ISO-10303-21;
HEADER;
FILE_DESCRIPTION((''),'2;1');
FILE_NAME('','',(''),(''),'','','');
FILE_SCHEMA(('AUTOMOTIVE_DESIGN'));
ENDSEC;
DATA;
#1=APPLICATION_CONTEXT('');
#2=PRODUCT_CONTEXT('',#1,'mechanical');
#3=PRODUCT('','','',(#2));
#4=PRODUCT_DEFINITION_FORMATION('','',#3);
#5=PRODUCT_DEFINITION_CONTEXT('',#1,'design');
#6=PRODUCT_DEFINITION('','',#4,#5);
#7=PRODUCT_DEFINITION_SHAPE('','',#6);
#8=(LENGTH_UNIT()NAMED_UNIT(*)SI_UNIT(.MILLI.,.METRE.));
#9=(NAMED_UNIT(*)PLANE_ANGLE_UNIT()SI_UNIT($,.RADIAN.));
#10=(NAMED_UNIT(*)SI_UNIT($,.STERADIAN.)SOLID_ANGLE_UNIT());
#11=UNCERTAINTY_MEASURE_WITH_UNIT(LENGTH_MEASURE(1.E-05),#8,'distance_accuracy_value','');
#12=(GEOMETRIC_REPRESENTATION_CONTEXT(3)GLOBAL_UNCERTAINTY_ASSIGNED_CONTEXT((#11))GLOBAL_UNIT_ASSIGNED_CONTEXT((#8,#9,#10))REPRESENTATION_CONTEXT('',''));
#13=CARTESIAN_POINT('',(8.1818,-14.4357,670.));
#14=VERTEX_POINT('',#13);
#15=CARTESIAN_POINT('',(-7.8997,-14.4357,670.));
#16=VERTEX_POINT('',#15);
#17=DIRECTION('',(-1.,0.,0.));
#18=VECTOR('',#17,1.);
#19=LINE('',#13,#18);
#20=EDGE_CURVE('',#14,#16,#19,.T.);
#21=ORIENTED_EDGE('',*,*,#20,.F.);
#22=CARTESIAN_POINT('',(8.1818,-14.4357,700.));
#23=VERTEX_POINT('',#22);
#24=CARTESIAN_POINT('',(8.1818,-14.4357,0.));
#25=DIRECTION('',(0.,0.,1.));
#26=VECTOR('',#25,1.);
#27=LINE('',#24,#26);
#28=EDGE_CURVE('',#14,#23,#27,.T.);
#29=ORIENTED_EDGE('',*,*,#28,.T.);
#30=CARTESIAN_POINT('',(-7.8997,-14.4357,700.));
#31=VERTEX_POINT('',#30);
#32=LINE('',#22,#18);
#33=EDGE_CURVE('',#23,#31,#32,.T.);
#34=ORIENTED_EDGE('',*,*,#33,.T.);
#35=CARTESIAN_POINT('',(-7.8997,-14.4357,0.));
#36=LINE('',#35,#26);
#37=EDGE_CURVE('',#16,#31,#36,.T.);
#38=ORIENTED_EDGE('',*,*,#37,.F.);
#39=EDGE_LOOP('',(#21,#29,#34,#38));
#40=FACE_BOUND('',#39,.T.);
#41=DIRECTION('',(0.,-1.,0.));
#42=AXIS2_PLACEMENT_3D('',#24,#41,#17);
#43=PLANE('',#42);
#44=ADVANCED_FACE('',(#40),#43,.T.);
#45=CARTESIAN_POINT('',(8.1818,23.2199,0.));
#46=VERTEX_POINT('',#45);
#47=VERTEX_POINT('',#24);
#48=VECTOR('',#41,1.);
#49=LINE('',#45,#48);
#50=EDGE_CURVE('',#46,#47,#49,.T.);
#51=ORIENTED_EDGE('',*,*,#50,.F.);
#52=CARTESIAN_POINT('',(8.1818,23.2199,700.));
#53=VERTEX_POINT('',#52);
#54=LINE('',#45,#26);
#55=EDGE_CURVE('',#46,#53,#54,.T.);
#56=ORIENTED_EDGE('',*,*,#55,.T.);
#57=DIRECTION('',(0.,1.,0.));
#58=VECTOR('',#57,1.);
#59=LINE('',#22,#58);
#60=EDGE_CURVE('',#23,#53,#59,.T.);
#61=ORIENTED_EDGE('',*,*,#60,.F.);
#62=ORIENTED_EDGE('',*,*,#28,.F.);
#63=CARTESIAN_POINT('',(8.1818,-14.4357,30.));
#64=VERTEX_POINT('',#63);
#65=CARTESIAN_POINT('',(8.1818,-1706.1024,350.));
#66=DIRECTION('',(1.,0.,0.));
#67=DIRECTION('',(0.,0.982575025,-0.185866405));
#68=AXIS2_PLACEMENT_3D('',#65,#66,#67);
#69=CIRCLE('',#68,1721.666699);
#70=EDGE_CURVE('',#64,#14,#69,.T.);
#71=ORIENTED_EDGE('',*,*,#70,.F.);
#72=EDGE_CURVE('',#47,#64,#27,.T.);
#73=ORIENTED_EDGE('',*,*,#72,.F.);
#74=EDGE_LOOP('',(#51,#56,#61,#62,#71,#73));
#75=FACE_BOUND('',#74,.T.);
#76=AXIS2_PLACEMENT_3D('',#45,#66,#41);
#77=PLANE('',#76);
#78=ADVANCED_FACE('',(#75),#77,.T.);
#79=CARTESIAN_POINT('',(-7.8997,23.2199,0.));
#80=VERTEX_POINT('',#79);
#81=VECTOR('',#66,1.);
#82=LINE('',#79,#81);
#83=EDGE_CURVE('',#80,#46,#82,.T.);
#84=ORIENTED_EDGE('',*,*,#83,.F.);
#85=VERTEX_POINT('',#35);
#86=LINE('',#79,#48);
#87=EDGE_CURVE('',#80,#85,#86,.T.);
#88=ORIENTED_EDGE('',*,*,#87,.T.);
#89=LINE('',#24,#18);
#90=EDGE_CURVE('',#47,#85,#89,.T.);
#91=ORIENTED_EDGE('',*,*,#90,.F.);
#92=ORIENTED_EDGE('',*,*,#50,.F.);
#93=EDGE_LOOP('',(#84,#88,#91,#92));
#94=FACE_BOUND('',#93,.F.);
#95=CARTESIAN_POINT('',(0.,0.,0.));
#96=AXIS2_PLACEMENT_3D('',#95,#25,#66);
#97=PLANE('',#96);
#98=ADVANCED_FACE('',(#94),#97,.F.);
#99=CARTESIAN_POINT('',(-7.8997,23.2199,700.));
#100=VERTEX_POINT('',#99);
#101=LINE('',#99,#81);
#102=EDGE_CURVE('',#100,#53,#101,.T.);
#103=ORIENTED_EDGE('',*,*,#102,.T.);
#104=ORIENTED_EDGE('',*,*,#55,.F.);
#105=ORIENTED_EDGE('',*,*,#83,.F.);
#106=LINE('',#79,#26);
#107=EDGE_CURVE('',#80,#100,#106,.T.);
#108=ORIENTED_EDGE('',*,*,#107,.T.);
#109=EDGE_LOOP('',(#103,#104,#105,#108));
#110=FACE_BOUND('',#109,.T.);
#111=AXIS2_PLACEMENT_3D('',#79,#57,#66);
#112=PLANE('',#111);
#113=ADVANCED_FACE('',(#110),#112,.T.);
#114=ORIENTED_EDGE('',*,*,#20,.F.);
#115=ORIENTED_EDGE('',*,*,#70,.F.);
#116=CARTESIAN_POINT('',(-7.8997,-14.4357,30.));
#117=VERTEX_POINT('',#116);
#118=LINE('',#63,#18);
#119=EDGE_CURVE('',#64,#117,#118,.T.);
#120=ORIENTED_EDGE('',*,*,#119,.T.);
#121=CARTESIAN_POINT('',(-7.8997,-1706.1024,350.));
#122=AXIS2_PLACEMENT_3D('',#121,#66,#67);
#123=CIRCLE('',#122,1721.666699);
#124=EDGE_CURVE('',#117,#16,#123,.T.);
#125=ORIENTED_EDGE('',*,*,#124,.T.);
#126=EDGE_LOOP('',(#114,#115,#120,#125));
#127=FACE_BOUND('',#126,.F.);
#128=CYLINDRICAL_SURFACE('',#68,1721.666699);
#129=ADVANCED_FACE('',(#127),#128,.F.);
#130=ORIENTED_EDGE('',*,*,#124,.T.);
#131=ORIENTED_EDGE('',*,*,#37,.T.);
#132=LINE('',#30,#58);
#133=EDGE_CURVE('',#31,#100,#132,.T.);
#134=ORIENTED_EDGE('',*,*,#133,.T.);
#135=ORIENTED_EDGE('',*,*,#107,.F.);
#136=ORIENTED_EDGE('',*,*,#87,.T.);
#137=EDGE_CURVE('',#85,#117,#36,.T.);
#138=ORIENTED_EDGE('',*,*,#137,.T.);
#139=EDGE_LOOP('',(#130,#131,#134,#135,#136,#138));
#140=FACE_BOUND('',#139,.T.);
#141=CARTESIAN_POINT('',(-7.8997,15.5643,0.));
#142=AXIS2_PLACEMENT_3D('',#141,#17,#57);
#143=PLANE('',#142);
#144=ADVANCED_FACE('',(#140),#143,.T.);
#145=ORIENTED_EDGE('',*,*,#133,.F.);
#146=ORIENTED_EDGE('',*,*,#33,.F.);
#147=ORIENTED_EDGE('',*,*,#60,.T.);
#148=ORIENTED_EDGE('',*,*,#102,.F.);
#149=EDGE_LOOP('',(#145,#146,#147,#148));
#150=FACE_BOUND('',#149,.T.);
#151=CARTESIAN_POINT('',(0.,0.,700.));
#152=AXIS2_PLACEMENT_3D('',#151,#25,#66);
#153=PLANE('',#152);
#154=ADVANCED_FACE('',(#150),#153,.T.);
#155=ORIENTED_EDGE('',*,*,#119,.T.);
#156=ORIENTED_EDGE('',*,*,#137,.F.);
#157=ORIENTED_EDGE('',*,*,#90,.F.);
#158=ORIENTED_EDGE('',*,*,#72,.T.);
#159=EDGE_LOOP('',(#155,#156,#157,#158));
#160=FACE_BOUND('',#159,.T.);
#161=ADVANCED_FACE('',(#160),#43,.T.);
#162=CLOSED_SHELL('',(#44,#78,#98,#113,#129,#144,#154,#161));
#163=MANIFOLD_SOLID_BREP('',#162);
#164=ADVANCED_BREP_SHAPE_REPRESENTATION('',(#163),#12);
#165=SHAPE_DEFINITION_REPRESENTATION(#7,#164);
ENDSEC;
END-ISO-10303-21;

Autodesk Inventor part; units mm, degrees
ref_plane "YZ Plane" through (0, 0, 0) normal (1, 0, 0) x (0, 1, 0)
ref_plane "XZ Plane" through (0, 0, 0) normal (0, 1, 0) x (-1, 0, 0)
ref_plane "XY Plane" through (0, 0, 0) normal (0, 0, 1) x (1, 0, 0)
sketch "Sketch1" plane through (0, 0, 0) normal (0, 0, 1) x (1, 0, 0)
  line L0 (-7.8997, 15.5643) -> (8.1818, 15.5643)
  line L1 (8.1818, 15.5643) -> (8.1818, -14.4357)
  line L2 (8.1818, -14.4357) -> (-7.8997, -14.4357)
  line L3 (-7.8997, -14.4357) -> (-7.8997, 15.5643)
  line L4 (8.1818, 15.5643) -> (-7.8997, 15.5643)
  line L5 (-7.8997, 15.5643) -> (-7.8997, 23.2199)
  line L6 (-7.8997, 23.2199) -> (8.1818, 23.2199)
  line L7 (8.1818, 23.2199) -> (8.1818, 15.5643)
  point P0 (0, 0)
  dimension "d6" = 30
extrude "Extrusion1" add sketch "Sketch1" along normal blind 700 contours L0 L1 L2 L3
sketch "Sketch2" plane through (8.1818, -14.4357, 0) normal (1, 0, 0) x (0, 0, -1)
  line L0 (0, 0) -> (-700, 0) projected
  arc A0 (-30, 0) -> (-670, 0) centre (-350, -1691.6667) ccw
  line L1 (-30, 0) -> (-670, 0)
  line L2 (0, 30) -> (-700, 30) projected
  point P0 (0, 14.4357)
  dimension "d4" = 30
  dimension "d5" = 30
extrude "Extrusion2" cut sketch "Sketch2" against normal blind 90000
sketch "Sketch3" plane through (0, 0, 0) normal (0, 0, -1) x (-1, 0, 0)
  point P0 (0, 0)
extrude "Extrusion3" add sketch "Sketch1" along normal up to surface (700 mm away) contours L5 L6 L7 L0
equation "\"d5\" = d4"
properties part number "Group Bridge"
